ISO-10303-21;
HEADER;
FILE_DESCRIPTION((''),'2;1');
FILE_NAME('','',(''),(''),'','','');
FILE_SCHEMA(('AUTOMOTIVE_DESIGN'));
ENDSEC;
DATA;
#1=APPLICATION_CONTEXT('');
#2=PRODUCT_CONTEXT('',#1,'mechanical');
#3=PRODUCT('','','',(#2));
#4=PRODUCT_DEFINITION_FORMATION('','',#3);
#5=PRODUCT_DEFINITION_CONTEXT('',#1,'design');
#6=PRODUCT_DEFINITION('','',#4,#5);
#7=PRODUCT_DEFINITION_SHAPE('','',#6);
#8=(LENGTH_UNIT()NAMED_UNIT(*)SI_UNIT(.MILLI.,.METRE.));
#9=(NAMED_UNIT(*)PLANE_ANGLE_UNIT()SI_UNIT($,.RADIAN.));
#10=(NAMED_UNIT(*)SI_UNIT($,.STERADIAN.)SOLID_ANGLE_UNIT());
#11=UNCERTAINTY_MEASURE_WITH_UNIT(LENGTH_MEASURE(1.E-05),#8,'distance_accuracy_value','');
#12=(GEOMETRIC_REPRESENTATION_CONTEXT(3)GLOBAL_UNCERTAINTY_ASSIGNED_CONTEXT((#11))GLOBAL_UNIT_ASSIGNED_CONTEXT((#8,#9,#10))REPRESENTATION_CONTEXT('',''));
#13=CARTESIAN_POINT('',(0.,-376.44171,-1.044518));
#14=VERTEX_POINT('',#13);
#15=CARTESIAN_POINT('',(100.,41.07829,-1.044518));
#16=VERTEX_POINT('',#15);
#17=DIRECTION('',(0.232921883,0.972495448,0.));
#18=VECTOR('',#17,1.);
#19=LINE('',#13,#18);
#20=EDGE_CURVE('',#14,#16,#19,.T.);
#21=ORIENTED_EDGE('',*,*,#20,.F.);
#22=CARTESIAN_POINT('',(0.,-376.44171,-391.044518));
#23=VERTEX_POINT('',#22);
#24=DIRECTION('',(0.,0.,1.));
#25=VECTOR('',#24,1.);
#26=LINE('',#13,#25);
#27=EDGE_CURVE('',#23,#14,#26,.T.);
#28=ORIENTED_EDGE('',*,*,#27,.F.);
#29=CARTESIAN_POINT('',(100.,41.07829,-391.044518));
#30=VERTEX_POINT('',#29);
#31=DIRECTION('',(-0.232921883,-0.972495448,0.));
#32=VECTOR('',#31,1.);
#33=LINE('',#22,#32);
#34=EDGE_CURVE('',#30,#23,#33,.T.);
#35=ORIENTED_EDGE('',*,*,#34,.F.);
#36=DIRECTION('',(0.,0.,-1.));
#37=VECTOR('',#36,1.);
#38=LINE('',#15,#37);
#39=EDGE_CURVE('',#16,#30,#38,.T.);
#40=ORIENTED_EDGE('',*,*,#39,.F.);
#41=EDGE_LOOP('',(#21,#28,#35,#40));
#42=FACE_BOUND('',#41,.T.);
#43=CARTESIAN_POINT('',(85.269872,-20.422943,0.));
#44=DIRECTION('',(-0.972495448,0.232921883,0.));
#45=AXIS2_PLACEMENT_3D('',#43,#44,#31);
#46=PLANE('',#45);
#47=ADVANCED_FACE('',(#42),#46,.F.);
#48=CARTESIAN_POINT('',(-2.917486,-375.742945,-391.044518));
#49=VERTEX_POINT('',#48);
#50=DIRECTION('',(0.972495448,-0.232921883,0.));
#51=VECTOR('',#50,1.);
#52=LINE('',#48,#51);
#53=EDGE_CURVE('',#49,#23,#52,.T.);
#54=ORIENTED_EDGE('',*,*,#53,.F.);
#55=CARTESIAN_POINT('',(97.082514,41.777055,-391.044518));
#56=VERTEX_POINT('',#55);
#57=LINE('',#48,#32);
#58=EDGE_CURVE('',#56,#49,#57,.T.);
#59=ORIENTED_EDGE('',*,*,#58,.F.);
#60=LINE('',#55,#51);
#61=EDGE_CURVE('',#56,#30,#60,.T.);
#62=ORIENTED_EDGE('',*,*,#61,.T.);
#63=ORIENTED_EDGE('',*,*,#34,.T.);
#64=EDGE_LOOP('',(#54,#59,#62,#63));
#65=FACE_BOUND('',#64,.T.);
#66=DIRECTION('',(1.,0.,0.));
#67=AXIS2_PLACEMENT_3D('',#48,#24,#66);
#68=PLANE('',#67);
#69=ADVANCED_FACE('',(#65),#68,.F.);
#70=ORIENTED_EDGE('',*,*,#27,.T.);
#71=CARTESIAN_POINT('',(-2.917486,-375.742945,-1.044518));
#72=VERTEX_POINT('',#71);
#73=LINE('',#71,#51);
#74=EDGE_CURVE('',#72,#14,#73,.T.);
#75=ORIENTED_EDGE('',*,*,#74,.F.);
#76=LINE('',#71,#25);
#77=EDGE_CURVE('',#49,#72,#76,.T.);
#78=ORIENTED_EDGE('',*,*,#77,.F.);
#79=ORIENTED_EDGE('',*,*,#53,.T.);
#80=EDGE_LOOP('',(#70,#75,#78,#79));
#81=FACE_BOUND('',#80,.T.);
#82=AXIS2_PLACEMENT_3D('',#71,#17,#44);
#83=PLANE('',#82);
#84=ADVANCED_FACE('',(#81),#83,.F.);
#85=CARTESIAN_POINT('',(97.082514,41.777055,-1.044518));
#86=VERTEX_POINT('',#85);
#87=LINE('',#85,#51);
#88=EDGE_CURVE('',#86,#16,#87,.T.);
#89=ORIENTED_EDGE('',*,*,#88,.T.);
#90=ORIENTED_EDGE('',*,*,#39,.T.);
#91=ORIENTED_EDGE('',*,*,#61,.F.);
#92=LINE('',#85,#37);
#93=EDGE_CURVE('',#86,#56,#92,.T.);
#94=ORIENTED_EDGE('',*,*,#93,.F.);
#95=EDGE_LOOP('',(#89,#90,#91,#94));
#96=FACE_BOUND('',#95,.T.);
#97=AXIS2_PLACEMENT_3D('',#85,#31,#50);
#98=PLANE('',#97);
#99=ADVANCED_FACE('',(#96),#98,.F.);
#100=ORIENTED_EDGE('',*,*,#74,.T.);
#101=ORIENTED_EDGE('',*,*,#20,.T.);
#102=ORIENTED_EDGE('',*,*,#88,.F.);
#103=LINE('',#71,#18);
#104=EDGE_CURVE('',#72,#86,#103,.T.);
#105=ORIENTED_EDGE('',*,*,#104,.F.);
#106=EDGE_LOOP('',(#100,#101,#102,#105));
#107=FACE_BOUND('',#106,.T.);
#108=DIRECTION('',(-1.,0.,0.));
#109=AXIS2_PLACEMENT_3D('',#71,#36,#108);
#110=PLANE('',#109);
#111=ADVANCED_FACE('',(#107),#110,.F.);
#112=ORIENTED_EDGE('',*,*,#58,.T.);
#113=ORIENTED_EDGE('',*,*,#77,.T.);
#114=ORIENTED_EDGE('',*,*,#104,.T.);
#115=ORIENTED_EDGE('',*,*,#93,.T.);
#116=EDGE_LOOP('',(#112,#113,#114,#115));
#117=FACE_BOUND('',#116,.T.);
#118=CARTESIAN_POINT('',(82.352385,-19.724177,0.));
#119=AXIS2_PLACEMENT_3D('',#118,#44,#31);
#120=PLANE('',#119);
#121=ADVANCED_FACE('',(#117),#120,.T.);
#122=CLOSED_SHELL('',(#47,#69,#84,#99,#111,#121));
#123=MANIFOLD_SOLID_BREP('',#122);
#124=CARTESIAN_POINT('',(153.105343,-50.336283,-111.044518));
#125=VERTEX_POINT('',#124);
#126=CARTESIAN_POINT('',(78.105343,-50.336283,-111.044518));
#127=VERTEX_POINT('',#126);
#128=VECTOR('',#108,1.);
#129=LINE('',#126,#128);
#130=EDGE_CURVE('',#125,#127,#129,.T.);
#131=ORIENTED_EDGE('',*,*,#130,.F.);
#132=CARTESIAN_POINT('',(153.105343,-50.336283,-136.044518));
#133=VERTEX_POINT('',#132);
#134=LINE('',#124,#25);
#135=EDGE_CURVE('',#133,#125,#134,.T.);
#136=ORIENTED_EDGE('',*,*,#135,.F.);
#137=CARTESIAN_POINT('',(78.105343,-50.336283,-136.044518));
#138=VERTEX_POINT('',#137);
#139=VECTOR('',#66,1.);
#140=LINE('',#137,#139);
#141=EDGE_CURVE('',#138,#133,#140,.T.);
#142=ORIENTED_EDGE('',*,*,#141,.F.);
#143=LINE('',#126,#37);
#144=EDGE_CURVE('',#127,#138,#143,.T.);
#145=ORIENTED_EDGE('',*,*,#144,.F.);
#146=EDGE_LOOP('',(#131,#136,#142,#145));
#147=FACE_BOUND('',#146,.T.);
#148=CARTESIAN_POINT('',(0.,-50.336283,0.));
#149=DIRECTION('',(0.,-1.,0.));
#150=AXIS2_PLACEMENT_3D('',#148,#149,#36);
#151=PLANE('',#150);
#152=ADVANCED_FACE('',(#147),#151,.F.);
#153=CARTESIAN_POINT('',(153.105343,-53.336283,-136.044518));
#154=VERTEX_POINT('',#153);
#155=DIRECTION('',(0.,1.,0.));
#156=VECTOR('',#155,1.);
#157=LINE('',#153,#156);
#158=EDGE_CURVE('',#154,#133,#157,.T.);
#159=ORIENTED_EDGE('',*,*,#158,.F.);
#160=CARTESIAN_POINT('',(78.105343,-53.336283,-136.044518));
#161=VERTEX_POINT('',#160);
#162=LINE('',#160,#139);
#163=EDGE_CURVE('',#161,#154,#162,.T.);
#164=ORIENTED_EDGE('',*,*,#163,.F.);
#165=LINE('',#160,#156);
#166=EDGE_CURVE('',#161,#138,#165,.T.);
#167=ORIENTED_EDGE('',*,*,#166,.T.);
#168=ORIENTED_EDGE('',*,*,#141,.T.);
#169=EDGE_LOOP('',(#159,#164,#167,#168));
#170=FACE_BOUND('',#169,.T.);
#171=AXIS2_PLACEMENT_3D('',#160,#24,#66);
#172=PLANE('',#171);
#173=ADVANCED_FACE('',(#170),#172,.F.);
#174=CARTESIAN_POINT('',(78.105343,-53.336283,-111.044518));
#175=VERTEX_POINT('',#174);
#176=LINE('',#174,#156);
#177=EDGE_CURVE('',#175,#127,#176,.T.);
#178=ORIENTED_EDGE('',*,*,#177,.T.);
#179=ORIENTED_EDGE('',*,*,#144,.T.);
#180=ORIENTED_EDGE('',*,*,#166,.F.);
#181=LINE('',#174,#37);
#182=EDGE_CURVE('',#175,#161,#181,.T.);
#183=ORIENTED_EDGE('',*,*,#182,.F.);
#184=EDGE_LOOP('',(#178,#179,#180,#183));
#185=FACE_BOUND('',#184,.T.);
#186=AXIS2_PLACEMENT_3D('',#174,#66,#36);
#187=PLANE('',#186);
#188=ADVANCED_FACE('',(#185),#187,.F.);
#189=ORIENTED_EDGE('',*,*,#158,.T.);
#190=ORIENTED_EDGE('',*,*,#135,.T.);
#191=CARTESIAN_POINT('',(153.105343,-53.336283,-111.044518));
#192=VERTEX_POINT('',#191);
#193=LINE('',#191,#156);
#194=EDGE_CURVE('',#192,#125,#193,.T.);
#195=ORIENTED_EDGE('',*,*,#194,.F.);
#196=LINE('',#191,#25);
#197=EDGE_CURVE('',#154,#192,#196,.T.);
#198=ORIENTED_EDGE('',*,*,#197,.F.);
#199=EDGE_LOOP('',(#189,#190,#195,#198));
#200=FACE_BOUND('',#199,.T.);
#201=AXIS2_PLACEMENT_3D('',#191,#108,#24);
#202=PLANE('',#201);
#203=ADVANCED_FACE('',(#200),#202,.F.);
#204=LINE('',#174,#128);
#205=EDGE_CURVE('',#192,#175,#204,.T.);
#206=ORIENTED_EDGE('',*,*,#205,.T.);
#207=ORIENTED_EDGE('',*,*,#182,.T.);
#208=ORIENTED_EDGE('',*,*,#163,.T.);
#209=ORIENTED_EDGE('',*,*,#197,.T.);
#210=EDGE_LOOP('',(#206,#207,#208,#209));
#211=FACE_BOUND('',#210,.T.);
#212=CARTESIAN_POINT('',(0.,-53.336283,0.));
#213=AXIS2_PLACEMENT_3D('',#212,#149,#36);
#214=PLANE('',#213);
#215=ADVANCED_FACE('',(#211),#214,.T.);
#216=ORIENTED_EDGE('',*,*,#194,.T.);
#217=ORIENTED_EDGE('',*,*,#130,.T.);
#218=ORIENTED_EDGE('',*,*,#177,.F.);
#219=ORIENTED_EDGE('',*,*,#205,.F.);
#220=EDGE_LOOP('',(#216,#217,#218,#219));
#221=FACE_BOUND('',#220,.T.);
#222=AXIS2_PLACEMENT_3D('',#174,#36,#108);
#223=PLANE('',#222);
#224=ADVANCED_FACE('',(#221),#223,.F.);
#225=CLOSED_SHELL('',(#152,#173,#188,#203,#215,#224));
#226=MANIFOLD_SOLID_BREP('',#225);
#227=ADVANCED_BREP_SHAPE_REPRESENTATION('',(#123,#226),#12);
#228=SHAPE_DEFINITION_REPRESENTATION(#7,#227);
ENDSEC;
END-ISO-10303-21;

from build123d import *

# Parameters (mm, degrees)
SKETCH4_W           = 390
SKETCH4_H           = 429.328487758
BOSS_EXTRUDE1_DEPTH = 3
SKETCH7_W           = 75
SKETCH7_H           = 25
BOSS_EXTRUDE2_DEPTH = 3


with BuildPart() as part:
    # Sketch4 → Boss-Extrude1 (new body)
    with BuildSketch(Plane(origin=(85.269871504, -20.422942974, 0), x_dir=(0, 0, 1), z_dir=(-0.9724954479051267, 0.23292188347986365, 0))):
        with Locations((-196.0445183, -151.423605962)):
            Rectangle(SKETCH4_W, SKETCH4_H)
    extrude(amount=BOSS_EXTRUDE1_DEPTH)


with BuildPart() as body_2:
    # Sketch7 → Boss-Extrude2 (new body)
    with BuildSketch(Plane.XZ.offset(50.33628258)):
        with Locations((115.605342953, -123.5445183)):
            Rectangle(SKETCH7_W, SKETCH7_H)
    extrude(amount=BOSS_EXTRUDE2_DEPTH)


solid = Compound([part.part, body_2.part])
